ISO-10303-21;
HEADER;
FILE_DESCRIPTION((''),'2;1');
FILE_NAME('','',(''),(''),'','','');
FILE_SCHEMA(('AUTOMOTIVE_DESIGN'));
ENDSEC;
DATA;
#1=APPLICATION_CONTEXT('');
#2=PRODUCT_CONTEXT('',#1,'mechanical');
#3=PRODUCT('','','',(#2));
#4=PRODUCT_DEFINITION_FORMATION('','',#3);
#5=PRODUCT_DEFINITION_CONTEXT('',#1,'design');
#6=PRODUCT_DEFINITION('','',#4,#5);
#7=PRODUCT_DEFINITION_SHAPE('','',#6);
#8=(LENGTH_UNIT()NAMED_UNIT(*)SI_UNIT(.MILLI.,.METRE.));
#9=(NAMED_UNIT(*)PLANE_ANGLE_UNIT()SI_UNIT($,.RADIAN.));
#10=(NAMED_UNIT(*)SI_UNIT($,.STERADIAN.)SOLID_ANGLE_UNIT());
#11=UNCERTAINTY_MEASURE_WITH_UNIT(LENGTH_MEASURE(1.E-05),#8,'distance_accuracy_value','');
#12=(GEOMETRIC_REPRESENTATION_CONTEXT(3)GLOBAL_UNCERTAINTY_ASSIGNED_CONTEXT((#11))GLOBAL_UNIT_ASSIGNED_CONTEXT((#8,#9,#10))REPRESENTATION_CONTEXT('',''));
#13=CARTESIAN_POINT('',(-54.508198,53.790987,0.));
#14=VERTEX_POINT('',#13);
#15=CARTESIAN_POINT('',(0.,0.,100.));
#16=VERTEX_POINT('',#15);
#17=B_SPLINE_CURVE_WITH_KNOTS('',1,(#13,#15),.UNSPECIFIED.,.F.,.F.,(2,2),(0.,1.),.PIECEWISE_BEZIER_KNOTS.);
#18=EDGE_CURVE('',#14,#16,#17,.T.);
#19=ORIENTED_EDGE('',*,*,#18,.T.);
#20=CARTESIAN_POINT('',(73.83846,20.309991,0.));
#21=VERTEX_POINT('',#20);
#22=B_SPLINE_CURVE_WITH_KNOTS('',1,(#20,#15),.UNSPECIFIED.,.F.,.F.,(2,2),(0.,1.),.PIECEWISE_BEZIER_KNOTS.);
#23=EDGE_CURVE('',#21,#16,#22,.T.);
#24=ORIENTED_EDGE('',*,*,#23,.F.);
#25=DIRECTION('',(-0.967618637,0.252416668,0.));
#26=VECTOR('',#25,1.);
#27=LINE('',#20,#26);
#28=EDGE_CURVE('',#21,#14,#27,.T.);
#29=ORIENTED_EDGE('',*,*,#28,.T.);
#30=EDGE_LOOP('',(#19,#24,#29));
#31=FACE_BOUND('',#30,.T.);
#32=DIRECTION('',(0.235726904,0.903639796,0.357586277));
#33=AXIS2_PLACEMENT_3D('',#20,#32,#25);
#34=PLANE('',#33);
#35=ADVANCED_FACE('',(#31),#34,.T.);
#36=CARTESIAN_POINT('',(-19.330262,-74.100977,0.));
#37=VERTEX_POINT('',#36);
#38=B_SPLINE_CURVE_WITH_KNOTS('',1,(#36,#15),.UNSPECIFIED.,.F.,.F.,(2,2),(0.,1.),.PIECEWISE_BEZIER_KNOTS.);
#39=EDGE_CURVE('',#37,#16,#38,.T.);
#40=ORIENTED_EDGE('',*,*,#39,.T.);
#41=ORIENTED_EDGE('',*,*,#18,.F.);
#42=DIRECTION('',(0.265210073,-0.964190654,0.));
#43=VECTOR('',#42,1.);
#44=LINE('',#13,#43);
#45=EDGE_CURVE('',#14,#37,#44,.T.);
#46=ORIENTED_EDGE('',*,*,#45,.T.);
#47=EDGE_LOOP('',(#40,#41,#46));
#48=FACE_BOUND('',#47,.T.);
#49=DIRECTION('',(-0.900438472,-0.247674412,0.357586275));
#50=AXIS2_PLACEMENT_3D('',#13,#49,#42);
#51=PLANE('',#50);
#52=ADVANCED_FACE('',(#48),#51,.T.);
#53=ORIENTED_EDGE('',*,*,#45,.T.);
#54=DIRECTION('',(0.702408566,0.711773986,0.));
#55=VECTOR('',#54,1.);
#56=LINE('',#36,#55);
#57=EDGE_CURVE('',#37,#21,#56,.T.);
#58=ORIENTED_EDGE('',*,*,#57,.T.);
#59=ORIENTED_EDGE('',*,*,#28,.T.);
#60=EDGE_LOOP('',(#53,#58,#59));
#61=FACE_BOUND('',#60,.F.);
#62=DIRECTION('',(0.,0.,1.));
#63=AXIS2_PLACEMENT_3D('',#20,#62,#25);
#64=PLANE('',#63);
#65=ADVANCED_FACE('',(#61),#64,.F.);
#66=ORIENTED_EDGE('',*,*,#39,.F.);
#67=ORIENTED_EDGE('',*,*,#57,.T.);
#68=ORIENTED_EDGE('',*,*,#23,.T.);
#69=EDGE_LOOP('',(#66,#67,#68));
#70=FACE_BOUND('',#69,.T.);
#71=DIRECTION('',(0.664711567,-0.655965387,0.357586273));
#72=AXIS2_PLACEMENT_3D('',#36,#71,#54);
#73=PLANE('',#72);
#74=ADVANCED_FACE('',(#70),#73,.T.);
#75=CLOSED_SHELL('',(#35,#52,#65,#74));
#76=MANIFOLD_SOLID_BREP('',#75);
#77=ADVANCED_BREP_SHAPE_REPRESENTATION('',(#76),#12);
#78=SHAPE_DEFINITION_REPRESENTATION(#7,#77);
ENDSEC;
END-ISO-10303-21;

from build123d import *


with BuildPart() as f3:
    # F0 (on Top) → F3 section 0
    with BuildSketch(Plane.XY, mode=Mode.PRIVATE) as f3_s0:
        Polygon((73.83846, 20.309991), (-54.508198, 53.790987), (-19.330262, -74.100977), align=None)
    loft([f3_s0.sketch, Vertex(0, 0, 100)])


solid = f3.part
